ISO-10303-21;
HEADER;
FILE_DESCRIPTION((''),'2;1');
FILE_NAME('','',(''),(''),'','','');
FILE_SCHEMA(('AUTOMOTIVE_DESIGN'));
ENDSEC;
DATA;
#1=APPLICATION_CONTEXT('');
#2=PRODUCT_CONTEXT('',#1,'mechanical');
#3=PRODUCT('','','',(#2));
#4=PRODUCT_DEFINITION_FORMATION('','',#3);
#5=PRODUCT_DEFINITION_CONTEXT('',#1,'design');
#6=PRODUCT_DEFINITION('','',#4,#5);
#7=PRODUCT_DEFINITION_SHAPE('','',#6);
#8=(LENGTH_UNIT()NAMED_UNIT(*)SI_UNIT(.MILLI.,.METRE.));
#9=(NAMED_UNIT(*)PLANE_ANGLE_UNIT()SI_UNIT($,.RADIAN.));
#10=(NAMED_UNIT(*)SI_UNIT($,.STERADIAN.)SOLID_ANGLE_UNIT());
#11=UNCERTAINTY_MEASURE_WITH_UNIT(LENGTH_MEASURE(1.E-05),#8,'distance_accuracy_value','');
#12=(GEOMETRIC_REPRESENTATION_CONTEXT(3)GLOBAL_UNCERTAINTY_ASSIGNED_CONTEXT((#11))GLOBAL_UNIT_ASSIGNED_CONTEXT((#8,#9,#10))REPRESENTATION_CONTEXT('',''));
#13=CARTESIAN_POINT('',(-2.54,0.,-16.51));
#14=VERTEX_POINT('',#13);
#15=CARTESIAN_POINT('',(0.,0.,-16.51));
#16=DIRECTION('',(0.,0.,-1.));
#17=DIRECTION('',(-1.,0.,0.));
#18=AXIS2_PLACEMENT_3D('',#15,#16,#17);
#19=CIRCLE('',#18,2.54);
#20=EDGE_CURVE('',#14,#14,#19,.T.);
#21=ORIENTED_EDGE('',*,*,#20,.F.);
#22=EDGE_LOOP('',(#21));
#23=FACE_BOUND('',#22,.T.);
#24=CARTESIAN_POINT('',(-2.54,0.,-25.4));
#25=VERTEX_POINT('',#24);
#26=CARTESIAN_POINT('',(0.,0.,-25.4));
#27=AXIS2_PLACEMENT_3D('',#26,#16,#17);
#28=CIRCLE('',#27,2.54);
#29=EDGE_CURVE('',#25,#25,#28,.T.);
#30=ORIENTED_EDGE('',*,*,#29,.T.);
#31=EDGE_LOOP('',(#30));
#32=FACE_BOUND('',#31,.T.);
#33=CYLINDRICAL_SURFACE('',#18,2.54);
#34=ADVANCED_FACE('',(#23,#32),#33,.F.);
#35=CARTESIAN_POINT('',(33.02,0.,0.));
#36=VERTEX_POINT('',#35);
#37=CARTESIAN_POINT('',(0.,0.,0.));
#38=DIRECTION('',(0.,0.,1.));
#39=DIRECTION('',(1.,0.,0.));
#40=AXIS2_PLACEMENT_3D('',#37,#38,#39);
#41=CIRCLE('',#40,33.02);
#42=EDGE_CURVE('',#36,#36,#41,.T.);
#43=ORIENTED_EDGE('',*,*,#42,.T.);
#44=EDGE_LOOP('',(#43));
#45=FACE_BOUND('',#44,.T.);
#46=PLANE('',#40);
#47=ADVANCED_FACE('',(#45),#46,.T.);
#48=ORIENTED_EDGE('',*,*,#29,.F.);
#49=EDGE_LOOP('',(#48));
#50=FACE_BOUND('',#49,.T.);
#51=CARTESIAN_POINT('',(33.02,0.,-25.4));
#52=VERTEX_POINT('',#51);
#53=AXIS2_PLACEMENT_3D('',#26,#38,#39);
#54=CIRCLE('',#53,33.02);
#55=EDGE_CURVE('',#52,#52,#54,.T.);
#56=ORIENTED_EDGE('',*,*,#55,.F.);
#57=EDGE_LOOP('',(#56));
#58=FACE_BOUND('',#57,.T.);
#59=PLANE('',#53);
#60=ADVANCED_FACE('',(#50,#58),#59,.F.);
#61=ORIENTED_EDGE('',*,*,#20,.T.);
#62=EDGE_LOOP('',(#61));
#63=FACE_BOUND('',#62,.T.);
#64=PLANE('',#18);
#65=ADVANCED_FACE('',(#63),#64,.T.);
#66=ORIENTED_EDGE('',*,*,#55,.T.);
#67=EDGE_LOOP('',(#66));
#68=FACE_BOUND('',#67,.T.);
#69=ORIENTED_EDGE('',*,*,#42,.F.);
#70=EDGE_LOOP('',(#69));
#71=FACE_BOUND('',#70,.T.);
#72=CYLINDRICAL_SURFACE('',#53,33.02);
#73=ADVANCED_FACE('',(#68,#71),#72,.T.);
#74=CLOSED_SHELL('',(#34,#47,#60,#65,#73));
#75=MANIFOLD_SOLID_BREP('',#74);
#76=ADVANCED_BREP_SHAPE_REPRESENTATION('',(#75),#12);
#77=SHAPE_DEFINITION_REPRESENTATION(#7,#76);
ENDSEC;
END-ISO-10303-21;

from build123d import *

# Parameters (mm, degrees)
SKETCH1_R           = 33.02
BOSS_EXTRUDE1_DEPTH = 25.4
SKETCH2_R           = 2.54
CUT_EXTRUDE1_DEPTH  = 8.89


with BuildPart() as part:
    # Sketch1 → Boss-Extrude1 (new body)
    with BuildSketch(Plane.XY):
        Circle(SKETCH1_R)
    extrude(amount=-BOSS_EXTRUDE1_DEPTH)

    # Sketch2 → Cut-Extrude1 (cut)
    with BuildSketch(Plane(origin=(0, 0, -25.4), x_dir=(-1, 0, 0), z_dir=(0, 0, -1))):
        Circle(SKETCH2_R)
    extrude(amount=-CUT_EXTRUDE1_DEPTH, mode=Mode.SUBTRACT)


solid = part.part
